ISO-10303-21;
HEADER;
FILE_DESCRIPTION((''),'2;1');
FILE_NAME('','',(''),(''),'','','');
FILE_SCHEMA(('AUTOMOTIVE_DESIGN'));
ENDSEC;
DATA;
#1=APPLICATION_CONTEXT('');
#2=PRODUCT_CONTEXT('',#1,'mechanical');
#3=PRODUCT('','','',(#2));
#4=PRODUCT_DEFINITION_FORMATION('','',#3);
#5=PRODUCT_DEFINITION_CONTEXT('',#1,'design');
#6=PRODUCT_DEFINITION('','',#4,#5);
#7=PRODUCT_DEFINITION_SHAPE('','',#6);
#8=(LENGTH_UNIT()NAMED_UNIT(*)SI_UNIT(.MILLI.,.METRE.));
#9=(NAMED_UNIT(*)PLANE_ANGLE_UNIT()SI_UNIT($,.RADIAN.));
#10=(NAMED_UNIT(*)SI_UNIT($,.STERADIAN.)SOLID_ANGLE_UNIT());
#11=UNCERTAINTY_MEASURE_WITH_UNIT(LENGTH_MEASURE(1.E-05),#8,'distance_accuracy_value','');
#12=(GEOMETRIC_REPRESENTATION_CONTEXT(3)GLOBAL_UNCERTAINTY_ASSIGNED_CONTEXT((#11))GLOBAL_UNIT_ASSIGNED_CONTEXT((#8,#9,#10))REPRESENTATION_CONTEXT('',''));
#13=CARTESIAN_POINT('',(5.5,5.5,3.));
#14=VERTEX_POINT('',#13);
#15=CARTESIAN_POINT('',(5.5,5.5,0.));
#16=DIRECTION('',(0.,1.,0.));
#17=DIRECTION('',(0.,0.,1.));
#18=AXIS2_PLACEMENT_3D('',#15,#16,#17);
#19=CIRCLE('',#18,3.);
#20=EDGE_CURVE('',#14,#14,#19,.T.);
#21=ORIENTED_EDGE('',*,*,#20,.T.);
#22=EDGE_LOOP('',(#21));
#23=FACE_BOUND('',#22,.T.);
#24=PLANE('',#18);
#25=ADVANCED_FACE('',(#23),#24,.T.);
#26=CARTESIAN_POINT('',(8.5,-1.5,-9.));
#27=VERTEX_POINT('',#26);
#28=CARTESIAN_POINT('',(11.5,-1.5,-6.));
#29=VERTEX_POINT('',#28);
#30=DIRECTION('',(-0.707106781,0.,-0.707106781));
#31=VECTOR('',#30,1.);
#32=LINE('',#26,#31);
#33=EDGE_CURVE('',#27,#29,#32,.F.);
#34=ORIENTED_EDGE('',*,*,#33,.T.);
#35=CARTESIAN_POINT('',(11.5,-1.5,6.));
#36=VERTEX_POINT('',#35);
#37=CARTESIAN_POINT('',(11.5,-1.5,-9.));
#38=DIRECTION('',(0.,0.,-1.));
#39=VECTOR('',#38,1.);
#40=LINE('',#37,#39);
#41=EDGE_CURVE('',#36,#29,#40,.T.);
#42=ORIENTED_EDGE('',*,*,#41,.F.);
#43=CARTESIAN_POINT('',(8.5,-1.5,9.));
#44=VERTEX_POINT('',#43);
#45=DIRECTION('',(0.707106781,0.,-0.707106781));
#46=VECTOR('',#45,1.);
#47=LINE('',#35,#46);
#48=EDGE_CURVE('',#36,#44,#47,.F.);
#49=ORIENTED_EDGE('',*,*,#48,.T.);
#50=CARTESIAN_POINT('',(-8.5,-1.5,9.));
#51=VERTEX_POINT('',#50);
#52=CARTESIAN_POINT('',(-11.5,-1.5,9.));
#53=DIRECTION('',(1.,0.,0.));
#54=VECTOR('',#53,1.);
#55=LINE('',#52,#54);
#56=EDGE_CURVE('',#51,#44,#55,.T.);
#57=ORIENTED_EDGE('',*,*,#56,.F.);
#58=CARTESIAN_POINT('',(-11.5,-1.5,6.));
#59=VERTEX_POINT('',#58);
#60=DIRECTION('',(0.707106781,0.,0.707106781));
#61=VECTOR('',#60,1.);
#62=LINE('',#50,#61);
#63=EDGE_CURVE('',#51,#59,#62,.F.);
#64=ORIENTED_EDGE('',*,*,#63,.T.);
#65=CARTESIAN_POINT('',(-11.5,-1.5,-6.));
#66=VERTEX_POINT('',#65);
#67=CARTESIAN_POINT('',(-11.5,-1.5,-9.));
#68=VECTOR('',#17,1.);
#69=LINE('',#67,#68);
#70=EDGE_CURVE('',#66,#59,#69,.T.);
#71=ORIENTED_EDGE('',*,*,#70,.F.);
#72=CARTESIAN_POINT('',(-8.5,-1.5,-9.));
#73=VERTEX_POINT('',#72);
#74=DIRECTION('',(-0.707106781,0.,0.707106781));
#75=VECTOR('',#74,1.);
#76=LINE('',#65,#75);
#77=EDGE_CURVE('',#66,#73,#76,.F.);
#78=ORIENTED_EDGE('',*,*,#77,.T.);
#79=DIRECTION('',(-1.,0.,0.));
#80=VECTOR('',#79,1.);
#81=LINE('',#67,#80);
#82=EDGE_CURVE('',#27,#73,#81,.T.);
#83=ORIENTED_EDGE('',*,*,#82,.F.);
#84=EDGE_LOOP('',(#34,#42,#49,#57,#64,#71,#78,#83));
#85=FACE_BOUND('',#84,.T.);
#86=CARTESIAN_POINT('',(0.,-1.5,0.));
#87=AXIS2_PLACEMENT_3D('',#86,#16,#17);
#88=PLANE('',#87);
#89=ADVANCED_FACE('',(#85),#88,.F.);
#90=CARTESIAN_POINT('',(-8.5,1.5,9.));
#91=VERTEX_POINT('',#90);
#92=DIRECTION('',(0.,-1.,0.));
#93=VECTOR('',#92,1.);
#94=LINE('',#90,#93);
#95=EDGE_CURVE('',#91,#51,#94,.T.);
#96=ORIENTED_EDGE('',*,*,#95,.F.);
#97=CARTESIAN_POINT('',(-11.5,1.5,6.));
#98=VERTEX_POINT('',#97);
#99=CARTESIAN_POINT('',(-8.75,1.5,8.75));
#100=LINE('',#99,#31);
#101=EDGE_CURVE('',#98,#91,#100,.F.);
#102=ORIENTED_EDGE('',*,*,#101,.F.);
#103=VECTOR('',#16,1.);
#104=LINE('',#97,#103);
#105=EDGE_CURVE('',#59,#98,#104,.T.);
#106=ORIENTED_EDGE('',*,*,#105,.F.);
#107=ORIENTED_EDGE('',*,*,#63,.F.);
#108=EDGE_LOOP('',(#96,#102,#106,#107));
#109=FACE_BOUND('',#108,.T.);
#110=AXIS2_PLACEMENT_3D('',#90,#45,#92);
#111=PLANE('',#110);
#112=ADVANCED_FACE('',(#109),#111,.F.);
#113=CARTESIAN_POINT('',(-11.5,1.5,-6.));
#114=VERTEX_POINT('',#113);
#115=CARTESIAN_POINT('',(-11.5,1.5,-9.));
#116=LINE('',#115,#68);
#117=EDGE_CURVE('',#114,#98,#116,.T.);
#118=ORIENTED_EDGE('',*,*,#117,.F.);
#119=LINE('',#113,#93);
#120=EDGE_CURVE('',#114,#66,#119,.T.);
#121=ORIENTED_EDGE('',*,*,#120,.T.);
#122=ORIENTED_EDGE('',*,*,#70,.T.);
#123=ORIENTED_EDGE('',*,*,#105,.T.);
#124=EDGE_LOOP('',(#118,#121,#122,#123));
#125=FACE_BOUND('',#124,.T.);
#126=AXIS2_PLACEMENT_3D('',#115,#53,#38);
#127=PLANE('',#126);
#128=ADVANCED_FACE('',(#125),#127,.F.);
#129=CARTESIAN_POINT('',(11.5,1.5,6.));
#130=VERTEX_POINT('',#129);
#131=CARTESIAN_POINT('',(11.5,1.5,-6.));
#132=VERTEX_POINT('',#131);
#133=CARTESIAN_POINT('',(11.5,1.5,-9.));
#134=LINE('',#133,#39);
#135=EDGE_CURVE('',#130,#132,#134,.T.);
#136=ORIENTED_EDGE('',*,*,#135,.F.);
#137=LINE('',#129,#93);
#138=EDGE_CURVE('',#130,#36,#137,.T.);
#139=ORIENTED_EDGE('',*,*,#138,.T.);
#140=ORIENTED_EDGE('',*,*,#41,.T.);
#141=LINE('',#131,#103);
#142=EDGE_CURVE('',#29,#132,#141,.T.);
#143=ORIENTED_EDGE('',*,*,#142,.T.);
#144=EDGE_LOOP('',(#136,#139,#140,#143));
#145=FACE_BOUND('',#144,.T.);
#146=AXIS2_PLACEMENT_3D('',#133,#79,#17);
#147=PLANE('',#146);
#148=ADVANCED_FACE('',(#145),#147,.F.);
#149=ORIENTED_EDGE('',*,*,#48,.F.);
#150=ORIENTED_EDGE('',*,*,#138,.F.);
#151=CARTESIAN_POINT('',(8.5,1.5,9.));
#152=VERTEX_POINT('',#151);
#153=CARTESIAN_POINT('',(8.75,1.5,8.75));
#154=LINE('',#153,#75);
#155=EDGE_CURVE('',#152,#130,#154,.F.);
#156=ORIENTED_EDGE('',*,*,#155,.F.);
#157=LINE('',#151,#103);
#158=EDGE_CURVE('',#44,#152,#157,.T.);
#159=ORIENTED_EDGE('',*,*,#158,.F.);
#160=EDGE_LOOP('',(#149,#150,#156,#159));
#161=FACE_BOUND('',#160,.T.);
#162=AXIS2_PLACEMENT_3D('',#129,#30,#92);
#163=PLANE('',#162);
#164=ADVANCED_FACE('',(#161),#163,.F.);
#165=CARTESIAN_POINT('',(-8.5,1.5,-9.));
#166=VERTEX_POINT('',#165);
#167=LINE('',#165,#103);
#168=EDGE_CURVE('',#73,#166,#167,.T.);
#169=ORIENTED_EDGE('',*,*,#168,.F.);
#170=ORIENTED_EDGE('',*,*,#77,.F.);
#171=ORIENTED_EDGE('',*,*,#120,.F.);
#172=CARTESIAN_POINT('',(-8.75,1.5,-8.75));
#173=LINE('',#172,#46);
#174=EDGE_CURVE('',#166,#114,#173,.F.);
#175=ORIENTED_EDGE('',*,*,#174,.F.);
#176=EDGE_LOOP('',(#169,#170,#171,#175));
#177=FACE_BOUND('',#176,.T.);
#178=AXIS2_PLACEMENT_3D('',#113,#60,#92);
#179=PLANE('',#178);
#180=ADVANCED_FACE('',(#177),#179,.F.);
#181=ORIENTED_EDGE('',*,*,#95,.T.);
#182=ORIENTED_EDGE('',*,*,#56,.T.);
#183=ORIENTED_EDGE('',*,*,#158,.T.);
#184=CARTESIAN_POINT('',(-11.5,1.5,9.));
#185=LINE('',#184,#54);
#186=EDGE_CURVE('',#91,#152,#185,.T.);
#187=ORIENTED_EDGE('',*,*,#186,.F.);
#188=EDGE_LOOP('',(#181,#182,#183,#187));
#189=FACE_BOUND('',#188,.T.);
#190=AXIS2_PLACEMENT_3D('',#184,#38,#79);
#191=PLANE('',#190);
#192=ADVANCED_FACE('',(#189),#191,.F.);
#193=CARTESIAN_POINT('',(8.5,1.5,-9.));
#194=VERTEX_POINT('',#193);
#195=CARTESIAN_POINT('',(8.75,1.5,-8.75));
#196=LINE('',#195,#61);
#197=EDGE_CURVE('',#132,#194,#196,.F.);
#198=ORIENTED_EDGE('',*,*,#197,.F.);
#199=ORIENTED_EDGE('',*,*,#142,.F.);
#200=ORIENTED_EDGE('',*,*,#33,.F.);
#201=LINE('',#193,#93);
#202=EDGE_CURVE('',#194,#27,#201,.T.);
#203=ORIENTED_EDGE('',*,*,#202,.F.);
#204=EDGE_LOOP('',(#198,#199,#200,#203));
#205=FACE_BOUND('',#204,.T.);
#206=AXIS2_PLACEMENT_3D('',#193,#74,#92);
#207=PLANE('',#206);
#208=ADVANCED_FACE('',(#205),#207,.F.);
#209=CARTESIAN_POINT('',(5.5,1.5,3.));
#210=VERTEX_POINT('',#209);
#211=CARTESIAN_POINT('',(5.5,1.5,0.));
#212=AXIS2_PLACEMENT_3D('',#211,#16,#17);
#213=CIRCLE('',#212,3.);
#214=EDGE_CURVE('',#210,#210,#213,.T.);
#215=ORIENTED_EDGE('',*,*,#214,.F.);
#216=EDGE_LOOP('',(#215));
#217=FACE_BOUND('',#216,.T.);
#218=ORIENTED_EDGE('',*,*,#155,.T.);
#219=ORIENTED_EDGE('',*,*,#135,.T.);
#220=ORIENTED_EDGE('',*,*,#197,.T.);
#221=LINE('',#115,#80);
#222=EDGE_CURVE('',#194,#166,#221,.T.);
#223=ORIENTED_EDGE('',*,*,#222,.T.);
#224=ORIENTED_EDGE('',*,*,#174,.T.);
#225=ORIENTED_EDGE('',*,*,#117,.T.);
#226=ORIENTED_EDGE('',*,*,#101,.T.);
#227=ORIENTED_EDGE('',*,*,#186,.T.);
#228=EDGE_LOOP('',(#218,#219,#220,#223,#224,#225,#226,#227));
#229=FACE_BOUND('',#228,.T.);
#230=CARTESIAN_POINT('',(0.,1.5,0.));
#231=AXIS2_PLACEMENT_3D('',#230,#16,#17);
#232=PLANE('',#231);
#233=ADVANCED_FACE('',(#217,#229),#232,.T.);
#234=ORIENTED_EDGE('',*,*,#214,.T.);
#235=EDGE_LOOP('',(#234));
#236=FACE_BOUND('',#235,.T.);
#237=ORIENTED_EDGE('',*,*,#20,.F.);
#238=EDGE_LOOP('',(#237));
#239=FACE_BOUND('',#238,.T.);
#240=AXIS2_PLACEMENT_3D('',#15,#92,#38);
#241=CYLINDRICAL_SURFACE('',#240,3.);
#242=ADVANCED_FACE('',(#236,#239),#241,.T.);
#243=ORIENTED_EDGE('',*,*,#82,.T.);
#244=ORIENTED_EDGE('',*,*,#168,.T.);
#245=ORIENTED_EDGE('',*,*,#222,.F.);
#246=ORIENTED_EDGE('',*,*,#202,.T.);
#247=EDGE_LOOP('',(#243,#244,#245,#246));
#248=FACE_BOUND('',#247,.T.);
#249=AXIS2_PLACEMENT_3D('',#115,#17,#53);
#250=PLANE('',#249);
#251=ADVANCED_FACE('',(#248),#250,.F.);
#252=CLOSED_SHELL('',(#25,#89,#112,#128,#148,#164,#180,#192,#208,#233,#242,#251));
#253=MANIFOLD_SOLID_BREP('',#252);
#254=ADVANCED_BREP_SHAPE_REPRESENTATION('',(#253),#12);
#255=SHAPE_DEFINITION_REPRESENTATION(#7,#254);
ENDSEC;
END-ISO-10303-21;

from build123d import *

# Parameters (mm, degrees)
SKETCH_1_W      = 23
SKETCH_1_H      = 18
EXTRUDE_1_DEPTH = 1.5
CHAMFER_1_SIZE  = 3
SKETCH_2_R      = 3
EXTRUDE_2_DEPTH = 4


with BuildPart() as part:
    # 草图1 → 凸台-拉伸1 (new, symmetric)
    with BuildSketch(Plane(origin=(0, 0, 0), x_dir=(1, 0, 0), z_dir=(0, 1, 0))):
        Rectangle(SKETCH_1_W, SKETCH_1_H)
    extrude(amount=EXTRUDE_1_DEPTH, both=True)

    # 倒角1
    chamfer_1_edges = [part.edges().sort_by_distance(p)[0] for p in [
        (11.5, 0, 9),
        (-11.5, 0, 9),
        (-11.5, 0, -9),
        (11.5, 0, -9),
    ]]
    chamfer(chamfer_1_edges, length=CHAMFER_1_SIZE)

    # 草图2 → 凸台-拉伸2 (add)
    with BuildSketch(Plane(origin=(0, 1.5, 0), x_dir=(1, 0, 0), z_dir=(0, 1, 0))):
        with Locations(Location((5.5, 0, 0), (0, 0, 270))):
            Circle(SKETCH_2_R)
    extrude(amount=EXTRUDE_2_DEPTH)


solid = part.part
